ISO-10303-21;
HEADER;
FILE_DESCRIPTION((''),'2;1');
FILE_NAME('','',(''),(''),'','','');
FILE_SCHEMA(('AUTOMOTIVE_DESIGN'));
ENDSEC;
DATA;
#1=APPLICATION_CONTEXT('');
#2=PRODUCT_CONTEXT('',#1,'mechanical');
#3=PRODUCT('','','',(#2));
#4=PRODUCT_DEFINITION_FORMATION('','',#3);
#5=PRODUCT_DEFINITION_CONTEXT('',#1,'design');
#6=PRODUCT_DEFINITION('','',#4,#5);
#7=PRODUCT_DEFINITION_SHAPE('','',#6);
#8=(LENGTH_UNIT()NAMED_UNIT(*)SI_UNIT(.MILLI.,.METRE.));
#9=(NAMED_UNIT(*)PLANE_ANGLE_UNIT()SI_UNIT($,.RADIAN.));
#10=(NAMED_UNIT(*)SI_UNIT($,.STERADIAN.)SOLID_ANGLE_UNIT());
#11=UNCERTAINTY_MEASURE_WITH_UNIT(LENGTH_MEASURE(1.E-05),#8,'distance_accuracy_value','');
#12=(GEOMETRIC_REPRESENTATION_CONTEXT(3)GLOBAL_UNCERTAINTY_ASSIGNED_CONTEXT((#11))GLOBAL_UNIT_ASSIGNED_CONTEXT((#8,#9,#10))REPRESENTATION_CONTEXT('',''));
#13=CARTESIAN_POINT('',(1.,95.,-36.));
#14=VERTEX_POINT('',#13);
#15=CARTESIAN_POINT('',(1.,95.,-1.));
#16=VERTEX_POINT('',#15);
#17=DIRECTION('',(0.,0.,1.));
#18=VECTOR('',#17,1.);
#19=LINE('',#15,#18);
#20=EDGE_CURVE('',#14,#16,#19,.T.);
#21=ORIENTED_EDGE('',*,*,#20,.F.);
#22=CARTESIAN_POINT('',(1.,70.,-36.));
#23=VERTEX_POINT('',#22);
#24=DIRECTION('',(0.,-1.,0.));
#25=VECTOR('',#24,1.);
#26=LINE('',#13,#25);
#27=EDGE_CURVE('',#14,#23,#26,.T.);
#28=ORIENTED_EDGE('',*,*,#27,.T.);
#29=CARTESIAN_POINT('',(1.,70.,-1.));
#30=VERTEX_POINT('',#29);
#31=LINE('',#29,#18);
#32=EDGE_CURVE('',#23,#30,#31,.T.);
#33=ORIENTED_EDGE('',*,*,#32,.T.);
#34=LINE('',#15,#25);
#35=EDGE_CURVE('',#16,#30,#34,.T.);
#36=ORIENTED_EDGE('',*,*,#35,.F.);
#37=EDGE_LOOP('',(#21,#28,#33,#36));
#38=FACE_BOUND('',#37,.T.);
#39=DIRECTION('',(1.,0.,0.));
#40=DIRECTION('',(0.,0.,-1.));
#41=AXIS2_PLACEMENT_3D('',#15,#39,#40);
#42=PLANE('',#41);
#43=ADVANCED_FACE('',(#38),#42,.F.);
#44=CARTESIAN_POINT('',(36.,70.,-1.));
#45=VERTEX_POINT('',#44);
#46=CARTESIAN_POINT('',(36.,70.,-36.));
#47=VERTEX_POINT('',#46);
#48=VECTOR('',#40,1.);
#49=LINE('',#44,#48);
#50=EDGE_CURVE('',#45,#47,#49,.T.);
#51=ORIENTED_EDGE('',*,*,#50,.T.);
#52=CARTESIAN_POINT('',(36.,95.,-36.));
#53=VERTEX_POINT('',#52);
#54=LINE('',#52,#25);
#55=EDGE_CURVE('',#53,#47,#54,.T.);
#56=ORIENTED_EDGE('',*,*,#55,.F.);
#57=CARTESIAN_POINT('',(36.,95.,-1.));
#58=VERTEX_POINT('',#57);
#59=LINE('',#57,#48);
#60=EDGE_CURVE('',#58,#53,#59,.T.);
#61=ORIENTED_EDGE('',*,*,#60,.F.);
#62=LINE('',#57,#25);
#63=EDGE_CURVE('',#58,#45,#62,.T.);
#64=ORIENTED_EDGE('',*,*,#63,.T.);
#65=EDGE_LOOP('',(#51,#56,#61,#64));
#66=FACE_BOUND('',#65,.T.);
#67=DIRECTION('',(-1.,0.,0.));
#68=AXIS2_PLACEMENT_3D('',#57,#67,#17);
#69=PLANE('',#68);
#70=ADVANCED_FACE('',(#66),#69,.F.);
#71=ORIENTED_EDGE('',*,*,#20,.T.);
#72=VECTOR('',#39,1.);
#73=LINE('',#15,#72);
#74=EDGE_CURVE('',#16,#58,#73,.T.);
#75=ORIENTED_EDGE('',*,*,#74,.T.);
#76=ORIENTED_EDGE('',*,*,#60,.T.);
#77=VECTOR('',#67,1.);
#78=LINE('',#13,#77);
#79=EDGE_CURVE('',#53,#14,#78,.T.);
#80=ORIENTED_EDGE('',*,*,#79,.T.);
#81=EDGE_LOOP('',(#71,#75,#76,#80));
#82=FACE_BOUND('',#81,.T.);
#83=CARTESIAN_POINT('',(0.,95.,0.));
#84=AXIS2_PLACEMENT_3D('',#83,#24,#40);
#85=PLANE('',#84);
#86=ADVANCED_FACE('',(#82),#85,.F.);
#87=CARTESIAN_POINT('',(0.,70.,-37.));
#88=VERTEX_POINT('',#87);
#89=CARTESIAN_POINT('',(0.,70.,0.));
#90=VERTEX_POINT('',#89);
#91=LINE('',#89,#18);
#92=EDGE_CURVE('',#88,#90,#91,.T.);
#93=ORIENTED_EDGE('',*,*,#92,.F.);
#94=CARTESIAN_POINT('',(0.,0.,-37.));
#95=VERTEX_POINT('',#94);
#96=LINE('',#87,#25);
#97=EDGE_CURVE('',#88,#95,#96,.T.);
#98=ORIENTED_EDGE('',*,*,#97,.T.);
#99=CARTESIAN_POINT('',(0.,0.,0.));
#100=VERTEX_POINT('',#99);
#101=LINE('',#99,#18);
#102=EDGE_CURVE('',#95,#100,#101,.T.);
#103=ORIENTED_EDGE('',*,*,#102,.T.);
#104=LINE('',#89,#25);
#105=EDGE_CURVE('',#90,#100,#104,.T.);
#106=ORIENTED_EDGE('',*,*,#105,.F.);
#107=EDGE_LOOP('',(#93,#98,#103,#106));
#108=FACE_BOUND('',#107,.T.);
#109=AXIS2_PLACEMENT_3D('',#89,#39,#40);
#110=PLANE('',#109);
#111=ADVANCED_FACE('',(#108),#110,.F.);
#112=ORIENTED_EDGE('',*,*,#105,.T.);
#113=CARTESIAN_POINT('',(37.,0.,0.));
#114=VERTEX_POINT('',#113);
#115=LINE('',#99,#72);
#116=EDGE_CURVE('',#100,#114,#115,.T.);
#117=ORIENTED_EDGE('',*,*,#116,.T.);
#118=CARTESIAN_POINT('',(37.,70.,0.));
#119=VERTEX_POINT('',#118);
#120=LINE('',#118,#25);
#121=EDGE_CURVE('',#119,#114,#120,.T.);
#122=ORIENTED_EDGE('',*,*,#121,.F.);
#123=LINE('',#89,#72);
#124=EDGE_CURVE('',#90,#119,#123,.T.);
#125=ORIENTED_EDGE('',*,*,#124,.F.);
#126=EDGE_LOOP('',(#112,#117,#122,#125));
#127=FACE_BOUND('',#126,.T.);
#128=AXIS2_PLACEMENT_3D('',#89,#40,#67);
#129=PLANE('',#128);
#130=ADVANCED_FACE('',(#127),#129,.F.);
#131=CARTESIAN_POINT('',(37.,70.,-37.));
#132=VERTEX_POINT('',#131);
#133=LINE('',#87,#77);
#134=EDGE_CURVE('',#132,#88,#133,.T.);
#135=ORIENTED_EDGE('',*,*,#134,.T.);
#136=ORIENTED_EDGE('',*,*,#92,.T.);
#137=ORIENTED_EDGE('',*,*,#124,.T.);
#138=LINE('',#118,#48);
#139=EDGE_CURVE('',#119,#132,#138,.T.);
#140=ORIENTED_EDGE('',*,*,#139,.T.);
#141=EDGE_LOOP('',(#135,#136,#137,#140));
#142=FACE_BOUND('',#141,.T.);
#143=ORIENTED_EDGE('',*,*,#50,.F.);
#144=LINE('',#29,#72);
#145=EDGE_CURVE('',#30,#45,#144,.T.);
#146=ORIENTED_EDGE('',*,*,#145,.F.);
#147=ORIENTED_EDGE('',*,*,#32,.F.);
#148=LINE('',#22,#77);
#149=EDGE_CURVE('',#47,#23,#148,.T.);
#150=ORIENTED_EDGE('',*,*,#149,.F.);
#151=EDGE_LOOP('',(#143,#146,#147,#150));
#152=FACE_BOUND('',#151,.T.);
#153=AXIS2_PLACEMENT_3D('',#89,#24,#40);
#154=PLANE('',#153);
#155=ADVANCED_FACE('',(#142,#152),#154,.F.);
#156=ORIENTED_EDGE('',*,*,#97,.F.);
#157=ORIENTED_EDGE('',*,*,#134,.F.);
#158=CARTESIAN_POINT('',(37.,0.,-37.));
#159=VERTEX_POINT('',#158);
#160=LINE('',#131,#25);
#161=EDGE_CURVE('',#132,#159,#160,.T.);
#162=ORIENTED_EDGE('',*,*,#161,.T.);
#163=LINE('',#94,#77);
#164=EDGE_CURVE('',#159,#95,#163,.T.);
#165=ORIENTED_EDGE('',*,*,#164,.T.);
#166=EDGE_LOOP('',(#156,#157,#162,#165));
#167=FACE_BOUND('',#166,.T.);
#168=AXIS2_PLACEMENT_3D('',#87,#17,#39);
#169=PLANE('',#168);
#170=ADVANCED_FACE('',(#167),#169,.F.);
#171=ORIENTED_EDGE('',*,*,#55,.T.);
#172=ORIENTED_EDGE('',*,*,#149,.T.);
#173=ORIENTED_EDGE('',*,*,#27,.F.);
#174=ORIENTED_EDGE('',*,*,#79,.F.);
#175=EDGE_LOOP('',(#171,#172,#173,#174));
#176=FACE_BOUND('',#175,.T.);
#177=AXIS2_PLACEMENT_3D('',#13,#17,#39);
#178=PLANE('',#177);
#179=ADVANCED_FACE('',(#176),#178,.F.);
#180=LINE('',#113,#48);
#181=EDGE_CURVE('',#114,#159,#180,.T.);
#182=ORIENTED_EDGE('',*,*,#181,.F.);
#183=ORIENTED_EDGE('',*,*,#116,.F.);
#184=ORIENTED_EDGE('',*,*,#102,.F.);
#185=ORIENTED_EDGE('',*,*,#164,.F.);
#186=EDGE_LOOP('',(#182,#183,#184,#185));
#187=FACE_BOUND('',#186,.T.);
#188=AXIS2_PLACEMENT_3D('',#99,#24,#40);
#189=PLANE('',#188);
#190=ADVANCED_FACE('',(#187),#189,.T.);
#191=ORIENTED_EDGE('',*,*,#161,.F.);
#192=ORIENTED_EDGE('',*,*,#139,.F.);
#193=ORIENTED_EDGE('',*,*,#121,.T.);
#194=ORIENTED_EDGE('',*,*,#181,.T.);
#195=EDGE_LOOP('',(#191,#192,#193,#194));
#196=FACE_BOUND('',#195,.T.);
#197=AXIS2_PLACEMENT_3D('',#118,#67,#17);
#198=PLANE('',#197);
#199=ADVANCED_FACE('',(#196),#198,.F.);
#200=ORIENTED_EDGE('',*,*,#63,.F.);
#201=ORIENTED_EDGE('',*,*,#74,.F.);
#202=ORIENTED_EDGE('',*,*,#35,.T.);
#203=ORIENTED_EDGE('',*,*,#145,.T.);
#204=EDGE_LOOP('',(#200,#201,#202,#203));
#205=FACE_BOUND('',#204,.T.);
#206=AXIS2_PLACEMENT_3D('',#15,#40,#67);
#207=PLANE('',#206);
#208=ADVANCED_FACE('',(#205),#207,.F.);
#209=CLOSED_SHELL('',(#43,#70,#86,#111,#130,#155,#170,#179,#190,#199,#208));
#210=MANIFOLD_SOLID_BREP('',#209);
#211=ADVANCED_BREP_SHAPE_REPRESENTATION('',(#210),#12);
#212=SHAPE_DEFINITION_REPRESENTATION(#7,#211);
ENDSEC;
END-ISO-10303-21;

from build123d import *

# Parameters (mm, degrees)
SKETCH1_W           = 37
SKETCH1_H           = 37
BOSS_EXTRUDE1_DEPTH = 70
SKETCH2_W           = 35
SKETCH2_H           = 35
BOSS_EXTRUDE2_DEPTH = 25


with BuildPart() as part:
    # Sketch1 → Boss-Extrude1 (new body)
    with BuildSketch(Plane(origin=(0, 0, 0), x_dir=(1, 0, 0), z_dir=(0, 1, 0))):
        with Locations((18.5, 18.5)):
            Rectangle(SKETCH1_W, SKETCH1_H)
    extrude(amount=BOSS_EXTRUDE1_DEPTH)

    # Sketch2 → Boss-Extrude2 (add)
    with BuildSketch(Plane(origin=(0, 70, 0), x_dir=(1, 0, 0), z_dir=(0, 1, 0))):
        with Locations((18.5, 18.5)):
            Rectangle(SKETCH2_W, SKETCH2_H)
    extrude(amount=BOSS_EXTRUDE2_DEPTH)


solid = part.part
